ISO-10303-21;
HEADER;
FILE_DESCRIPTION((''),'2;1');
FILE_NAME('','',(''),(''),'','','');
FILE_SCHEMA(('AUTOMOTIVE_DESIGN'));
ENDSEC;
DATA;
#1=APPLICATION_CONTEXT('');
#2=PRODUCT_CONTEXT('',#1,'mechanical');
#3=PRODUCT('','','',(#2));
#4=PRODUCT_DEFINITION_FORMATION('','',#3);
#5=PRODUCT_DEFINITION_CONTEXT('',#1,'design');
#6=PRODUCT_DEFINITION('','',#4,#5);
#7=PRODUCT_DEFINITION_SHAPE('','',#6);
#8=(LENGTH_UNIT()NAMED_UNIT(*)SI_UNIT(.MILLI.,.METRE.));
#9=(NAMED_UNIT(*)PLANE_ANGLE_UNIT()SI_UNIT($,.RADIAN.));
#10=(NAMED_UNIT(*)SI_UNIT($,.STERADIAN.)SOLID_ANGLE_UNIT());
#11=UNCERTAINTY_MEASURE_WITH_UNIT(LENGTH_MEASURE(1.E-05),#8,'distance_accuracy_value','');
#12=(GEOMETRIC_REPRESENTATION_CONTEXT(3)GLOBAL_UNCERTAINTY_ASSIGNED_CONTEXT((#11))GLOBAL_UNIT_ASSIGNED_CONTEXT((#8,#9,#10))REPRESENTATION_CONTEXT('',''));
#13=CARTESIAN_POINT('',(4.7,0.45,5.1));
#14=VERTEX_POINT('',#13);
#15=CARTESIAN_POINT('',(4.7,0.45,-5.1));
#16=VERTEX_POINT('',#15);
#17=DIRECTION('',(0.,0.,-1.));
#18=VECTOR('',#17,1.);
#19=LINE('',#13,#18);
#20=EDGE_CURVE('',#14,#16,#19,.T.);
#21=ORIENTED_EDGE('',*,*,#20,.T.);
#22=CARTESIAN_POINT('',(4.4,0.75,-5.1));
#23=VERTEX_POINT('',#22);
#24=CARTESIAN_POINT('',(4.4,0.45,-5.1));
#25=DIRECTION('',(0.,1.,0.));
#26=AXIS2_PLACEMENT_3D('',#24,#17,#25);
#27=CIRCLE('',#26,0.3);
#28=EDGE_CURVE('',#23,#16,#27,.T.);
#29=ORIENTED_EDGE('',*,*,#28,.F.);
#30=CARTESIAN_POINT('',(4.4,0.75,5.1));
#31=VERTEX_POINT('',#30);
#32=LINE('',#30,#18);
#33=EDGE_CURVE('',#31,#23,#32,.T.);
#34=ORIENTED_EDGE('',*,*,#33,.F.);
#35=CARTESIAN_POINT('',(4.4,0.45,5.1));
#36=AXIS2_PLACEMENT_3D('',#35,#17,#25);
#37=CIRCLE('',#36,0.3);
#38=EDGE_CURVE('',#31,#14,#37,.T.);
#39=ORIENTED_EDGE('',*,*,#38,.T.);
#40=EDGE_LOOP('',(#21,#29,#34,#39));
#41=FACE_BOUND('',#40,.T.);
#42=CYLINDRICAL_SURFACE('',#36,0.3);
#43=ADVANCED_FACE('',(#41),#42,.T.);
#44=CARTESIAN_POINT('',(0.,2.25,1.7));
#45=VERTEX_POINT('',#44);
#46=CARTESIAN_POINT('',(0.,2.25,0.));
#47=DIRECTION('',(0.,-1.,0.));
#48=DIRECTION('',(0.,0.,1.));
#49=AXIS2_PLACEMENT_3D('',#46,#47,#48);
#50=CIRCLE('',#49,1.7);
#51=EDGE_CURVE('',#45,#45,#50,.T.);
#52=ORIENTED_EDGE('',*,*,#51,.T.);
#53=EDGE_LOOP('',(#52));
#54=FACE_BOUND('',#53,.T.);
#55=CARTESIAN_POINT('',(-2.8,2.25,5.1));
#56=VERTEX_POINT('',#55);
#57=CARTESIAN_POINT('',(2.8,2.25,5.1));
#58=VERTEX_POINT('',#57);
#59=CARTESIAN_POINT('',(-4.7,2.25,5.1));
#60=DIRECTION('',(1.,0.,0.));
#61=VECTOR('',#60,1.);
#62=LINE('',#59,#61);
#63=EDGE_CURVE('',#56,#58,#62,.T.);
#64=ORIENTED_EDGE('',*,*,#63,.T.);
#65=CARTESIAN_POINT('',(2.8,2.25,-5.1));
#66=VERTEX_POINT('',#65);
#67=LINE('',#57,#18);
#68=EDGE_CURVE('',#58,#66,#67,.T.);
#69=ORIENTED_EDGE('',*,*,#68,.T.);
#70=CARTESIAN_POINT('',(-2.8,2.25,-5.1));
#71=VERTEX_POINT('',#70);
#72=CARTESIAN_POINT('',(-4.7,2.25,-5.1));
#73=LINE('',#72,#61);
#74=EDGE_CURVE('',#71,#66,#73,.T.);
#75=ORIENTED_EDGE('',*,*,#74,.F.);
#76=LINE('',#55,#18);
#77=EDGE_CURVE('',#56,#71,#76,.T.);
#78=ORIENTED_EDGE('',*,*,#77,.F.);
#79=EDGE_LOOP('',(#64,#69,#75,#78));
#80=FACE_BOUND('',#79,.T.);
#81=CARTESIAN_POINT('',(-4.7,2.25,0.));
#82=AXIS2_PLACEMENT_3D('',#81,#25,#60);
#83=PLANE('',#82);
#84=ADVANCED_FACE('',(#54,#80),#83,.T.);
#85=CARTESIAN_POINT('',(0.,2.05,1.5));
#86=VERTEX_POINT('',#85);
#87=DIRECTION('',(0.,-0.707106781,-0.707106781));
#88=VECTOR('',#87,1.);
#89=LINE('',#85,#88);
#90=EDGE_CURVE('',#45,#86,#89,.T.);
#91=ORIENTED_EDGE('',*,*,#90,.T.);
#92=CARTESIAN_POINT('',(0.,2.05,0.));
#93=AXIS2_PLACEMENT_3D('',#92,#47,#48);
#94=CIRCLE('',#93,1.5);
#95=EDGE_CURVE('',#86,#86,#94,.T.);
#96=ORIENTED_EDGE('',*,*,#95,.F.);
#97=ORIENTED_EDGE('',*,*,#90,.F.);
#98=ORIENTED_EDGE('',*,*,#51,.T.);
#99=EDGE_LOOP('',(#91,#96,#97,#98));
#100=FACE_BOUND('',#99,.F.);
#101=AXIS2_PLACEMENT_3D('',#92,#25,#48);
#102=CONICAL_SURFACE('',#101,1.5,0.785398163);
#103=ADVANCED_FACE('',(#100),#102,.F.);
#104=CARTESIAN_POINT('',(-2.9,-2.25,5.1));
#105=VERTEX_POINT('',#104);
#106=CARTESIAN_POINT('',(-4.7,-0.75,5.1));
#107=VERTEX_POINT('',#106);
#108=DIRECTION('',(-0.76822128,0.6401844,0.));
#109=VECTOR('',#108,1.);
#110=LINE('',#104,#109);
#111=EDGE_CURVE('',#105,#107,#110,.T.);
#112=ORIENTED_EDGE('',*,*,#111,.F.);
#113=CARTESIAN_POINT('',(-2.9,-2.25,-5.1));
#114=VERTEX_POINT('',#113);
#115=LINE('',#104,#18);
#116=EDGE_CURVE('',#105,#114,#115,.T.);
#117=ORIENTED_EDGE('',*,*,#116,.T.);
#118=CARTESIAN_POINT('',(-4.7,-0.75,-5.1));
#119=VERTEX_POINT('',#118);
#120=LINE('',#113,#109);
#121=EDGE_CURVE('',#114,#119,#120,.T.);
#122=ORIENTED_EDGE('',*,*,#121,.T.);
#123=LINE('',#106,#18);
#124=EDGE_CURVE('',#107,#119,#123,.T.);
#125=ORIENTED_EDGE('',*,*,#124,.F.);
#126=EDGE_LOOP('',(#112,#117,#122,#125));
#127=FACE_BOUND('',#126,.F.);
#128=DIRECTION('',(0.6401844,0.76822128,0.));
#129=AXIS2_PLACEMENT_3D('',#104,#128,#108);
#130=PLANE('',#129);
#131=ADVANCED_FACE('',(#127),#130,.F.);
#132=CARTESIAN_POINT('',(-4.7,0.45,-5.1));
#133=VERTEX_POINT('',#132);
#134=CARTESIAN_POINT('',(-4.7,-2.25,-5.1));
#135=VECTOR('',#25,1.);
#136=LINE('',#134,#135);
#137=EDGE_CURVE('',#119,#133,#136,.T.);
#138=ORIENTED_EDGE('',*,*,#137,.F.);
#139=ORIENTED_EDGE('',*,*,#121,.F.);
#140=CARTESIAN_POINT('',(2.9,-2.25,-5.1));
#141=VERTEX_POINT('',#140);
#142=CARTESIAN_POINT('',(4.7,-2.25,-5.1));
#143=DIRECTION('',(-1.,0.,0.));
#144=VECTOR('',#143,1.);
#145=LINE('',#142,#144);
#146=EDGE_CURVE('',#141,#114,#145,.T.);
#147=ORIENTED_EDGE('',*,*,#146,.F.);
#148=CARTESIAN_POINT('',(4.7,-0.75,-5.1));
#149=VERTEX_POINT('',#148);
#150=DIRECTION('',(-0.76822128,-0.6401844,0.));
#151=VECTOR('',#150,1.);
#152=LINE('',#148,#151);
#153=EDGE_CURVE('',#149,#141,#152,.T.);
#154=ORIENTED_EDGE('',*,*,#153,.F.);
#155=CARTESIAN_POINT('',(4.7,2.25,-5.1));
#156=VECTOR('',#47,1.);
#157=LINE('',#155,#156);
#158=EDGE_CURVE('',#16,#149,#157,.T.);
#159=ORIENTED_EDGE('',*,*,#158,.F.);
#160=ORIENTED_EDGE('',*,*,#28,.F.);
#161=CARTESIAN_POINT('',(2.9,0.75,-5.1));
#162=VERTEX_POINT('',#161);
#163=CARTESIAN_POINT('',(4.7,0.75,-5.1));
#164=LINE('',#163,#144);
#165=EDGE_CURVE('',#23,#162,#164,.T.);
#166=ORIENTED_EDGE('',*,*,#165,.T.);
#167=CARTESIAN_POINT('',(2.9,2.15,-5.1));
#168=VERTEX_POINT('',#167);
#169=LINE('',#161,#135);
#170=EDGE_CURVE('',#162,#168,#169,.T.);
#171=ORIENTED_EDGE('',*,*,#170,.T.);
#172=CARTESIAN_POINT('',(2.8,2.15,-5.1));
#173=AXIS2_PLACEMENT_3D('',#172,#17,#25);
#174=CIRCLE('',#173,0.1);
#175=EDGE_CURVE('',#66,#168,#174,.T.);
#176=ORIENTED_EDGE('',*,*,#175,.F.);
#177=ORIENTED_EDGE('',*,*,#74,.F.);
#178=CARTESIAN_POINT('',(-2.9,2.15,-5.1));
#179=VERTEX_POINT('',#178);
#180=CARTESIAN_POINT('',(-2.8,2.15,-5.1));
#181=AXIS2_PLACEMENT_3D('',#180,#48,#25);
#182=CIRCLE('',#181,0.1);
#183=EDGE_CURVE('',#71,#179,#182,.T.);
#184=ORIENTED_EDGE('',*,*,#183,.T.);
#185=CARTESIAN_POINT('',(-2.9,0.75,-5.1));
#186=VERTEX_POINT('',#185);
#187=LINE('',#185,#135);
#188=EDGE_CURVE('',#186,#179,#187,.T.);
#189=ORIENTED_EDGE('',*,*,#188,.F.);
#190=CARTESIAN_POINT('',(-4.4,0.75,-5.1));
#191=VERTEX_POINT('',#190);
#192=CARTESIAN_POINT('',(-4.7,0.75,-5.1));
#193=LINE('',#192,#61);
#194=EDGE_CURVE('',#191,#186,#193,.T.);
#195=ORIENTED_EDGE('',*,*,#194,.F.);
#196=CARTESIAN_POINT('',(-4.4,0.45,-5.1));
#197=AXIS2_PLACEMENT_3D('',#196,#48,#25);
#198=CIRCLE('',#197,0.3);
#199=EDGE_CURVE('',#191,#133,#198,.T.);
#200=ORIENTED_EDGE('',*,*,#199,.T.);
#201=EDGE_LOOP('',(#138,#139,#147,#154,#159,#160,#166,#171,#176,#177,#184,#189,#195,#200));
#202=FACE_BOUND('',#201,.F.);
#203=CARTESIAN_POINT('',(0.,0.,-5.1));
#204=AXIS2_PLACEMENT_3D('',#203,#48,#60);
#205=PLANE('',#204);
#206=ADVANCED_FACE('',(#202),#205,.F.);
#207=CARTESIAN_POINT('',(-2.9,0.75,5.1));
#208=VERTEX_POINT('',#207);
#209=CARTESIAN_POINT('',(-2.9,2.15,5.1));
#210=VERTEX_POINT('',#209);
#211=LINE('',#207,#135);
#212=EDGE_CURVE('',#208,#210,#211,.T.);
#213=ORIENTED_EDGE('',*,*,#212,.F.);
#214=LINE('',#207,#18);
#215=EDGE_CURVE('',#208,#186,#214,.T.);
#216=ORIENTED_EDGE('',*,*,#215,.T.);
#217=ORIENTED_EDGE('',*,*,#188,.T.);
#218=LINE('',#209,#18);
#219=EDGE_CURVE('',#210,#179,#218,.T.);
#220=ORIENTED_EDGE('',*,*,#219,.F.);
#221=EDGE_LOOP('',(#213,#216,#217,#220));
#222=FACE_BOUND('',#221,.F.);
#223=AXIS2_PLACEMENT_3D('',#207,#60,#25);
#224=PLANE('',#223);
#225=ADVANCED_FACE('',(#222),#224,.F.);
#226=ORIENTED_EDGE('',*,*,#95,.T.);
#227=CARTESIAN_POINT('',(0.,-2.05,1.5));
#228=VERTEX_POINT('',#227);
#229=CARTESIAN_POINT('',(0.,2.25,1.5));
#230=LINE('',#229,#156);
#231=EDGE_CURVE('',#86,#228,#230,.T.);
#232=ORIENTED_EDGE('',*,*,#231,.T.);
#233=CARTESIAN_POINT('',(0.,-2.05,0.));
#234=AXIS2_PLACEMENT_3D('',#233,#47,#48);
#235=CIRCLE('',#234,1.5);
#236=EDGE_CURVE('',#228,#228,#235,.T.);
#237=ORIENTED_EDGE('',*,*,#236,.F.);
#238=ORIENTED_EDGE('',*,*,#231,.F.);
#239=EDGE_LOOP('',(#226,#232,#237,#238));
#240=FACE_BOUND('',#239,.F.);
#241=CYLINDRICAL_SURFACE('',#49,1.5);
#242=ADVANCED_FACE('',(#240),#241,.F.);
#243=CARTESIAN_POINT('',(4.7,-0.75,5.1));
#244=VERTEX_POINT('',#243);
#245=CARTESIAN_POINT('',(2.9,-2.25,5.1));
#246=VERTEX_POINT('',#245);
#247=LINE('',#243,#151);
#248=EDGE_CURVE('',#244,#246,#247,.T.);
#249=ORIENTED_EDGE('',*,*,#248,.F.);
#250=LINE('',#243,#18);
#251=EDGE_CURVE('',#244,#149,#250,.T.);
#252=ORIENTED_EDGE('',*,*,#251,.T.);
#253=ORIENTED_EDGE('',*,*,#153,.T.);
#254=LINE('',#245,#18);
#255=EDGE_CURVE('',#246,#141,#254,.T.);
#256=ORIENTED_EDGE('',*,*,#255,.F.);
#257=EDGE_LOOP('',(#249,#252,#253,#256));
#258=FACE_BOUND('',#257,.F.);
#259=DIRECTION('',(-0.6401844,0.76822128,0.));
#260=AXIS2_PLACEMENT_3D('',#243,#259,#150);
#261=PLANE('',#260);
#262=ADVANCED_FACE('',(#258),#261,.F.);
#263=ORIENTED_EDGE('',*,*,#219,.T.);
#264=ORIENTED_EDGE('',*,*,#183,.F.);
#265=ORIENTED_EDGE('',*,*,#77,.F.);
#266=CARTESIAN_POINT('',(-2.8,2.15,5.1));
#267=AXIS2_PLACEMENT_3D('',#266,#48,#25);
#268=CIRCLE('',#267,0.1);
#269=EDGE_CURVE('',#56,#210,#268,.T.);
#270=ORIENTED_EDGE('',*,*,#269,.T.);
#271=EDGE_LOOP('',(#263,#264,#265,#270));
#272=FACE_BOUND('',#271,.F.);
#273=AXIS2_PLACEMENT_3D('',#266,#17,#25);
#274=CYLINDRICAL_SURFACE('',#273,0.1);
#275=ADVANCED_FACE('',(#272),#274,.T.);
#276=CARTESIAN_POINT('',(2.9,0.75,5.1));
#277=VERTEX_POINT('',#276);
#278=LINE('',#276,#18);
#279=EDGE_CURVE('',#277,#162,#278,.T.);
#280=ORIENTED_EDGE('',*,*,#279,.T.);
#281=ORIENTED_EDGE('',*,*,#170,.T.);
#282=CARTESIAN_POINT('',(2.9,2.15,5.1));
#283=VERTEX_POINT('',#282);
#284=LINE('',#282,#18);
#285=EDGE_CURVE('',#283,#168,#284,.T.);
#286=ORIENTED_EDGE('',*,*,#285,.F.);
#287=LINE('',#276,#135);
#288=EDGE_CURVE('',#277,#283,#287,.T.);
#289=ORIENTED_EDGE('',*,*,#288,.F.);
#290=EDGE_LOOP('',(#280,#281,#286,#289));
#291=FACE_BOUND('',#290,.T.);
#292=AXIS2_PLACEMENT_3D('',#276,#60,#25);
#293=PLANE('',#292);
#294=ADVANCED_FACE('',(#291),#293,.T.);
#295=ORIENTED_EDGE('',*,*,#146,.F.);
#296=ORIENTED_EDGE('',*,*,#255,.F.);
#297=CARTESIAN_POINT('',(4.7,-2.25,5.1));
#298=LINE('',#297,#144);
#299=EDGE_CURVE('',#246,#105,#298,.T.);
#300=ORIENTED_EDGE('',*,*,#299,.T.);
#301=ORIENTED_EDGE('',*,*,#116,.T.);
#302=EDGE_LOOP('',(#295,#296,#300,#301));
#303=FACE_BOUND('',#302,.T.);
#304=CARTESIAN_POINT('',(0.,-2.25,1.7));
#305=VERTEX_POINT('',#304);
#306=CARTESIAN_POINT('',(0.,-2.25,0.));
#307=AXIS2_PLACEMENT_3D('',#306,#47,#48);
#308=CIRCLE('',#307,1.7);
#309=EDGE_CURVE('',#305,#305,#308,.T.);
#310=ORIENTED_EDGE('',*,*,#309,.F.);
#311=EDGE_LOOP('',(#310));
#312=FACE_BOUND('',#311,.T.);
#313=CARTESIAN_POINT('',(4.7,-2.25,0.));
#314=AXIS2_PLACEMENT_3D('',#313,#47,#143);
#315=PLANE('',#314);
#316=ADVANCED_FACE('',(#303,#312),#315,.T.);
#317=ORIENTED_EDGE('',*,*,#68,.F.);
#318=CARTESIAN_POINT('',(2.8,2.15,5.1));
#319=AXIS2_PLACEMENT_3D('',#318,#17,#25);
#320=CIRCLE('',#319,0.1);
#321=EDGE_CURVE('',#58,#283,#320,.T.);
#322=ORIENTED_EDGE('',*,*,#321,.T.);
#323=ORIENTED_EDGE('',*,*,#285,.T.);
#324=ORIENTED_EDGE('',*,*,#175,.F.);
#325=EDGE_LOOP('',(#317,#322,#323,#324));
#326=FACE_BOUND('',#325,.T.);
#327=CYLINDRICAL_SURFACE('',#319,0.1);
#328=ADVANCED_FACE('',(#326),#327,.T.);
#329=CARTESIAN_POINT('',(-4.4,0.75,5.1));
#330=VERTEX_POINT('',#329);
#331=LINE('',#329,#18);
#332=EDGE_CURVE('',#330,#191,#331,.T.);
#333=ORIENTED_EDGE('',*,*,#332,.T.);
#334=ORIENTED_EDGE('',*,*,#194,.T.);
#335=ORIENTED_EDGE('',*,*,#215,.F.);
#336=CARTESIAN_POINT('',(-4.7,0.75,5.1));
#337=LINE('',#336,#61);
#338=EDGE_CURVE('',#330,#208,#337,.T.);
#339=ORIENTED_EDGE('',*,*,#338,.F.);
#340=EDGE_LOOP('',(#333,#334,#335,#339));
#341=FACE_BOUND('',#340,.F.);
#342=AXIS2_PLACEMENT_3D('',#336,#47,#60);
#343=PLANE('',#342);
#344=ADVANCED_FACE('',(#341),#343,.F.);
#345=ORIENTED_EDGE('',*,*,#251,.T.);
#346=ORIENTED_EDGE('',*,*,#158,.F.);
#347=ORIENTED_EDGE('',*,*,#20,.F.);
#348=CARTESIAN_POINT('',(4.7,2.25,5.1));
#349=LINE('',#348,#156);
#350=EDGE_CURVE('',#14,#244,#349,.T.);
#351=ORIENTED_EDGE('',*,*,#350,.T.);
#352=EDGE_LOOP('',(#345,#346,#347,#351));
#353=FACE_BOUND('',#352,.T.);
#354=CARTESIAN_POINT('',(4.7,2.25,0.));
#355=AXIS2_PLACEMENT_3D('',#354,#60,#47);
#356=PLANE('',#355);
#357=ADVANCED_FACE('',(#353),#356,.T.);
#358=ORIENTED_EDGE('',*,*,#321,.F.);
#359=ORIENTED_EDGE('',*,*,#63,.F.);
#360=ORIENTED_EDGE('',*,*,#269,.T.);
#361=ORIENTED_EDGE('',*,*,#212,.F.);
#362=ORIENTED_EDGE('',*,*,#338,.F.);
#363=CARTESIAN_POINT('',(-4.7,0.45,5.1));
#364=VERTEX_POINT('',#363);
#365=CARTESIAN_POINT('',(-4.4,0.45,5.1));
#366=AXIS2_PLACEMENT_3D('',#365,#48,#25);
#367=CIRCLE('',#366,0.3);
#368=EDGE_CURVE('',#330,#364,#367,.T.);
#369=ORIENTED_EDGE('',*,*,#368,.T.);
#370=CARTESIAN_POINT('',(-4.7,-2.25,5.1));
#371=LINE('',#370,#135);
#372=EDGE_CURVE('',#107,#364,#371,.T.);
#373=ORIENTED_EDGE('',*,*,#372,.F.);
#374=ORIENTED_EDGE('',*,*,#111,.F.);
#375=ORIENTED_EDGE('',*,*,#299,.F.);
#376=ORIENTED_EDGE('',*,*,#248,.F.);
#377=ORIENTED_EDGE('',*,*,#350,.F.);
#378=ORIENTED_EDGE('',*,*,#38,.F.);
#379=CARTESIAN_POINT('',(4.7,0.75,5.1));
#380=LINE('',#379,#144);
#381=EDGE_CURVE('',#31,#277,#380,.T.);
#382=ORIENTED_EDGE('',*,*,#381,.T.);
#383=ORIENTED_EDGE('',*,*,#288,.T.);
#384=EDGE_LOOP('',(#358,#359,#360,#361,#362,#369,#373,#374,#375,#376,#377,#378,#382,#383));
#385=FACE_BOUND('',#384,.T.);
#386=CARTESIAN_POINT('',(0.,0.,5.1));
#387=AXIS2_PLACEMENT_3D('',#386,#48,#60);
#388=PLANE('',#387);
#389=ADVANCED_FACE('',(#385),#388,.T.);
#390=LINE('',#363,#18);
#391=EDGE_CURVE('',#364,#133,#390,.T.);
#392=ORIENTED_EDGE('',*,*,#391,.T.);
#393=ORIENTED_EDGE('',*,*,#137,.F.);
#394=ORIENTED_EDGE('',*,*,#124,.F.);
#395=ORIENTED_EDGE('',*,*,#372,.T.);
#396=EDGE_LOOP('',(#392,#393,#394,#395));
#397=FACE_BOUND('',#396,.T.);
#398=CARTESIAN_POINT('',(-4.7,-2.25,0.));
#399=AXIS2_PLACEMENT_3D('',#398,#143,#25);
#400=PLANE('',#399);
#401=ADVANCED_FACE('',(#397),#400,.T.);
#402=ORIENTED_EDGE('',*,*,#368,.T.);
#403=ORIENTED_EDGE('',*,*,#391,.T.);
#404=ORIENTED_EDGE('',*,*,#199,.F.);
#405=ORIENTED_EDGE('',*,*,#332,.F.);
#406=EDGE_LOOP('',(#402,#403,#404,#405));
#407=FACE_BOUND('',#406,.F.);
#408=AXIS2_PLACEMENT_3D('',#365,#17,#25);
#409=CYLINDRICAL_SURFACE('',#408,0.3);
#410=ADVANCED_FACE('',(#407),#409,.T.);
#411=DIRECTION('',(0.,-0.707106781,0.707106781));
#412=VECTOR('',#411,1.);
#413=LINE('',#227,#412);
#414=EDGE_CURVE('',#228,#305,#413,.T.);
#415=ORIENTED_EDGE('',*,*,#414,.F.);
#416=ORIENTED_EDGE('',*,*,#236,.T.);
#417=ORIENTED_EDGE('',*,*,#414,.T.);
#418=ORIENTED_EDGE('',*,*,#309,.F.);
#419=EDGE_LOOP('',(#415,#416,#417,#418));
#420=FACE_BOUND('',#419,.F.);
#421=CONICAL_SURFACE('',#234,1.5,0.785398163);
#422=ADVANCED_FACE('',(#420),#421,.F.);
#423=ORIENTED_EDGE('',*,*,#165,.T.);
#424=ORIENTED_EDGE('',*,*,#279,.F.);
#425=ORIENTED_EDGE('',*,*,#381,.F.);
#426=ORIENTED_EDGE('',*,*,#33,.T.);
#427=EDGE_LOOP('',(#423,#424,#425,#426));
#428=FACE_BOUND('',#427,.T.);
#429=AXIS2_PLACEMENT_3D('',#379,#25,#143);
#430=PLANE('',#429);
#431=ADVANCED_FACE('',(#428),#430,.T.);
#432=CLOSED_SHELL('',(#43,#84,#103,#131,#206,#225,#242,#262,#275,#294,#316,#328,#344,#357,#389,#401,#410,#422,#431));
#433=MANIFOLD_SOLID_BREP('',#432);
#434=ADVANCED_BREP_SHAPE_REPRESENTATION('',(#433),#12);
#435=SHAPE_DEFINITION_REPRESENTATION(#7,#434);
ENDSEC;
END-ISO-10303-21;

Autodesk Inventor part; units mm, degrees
ref_plane "YZ Plane" through (0, 0, 0) normal (1, 0, 0) x (0, 1, 0)
ref_plane "XZ Plane" through (0, 0, 0) normal (0, 1, 0) x (-1, 0, 0)
ref_plane "XY Plane" through (0, 0, 0) normal (0, 0, 1) x (1, 0, 0)
sketch "Эскиз1" plane through (0, 0, 0) normal (0, 0, 1) x (1, 0, 0)
  line L0 (-4.7, 2.25) -> (4.7, 2.25)
  line L1 (4.7, 2.25) -> (4.7, -2.25)
  line L2 (4.7, -2.25) -> (-4.7, -2.25)
  line L3 (-4.7, -2.25) -> (-4.7, 2.25)
  point P0 (0, 0)
  point P1 (-4.7, 0)
  point P2 (0, 2.25)
  dimension "d0" = 9.4
  dimension "d1" = 4.5
extrude "Выдавливание1" add sketch "Эскиз1" along normal mid plane 10.2
sketch "Эскиз3" plane through (0, 0, 5.1) normal (0, 0, 1) x (1, 0, 0)
  line L0 (-4.7, 2.25) -> (-4.7, -2.25) projected
  line L1 (-4.7, 0.75) -> (-2.9, 0.75)
  line L2 (-2.9, 0.75) -> (-2.9, 2.25)
  line L3 (4.7, 2.25) -> (-4.7, 2.25) projected
  line L4 (4.7, -2.25) -> (4.7, 2.25) projected
  line L5 (4.7, 0.75) -> (2.9, 0.75)
  line L6 (2.9, 0.75) -> (2.9, 2.25)
  point P0 (0, 0)
  dimension "d7" = 1.5
  dimension "d8" = 2.9
  dimension "d9" = 5.8
extrude "Выдавливание2" cut sketch "Эскиз3" against normal blind 10.2
sketch "Эскиз5" plane through (0, 0, 5.1) normal (0, 0, 1) x (1, 0, 0)
  line L0 (-4.7, -2.25) -> (4.7, -2.25) projected
  line L1 (-2.9, -2.25) -> (-4.7, -0.75)
  line L2 (-4.7, 0.75) -> (-4.7, -2.25) projected
  line L3 (4.7, -2.25) -> (4.7, 0.75) projected
  line L4 (4.7, -0.75) -> (2.9, -2.25)
  point P0 (0, 0)
  dimension "d15" = 1.5
  dimension "d16" = 2.9
  dimension "d17" = 5.8
extrude "Выдавливание3" cut sketch "Эскиз5" against normal blind 10.2
sketch "Эскиз6" plane through (-2.9, 2.25, -5.1) normal (0, 1, 0) x (1, 0, 0)
  point P0 (2.9, -5.1)
  point P1 (2.9, -5.1)
hole "Отверстие1" at (0, 2.25, 0) direction (0, -1, 0) diameter 3 end through all
thread "Резьба1" size "M3x0.5" class "6H" standard "ANSI Metric M Profile" full length
chamfer "Фаска1" distance 0.2 angle 45 2 edges at (0, 2.25, -1.5) (0, -2.25, -1.5)
fillet "Сопряжение2" radius 0.1 2 edges at (2.9, 2.25, 0) (-2.9, 2.25, 0)
fillet "Сопряжение3" radius 0.3 2 edges at (-4.7, 0.75, 0) (4.7, 0.75, 0)
properties part number "COTS_GENERIC_20x20_M3_Nut" material "Сталь"
